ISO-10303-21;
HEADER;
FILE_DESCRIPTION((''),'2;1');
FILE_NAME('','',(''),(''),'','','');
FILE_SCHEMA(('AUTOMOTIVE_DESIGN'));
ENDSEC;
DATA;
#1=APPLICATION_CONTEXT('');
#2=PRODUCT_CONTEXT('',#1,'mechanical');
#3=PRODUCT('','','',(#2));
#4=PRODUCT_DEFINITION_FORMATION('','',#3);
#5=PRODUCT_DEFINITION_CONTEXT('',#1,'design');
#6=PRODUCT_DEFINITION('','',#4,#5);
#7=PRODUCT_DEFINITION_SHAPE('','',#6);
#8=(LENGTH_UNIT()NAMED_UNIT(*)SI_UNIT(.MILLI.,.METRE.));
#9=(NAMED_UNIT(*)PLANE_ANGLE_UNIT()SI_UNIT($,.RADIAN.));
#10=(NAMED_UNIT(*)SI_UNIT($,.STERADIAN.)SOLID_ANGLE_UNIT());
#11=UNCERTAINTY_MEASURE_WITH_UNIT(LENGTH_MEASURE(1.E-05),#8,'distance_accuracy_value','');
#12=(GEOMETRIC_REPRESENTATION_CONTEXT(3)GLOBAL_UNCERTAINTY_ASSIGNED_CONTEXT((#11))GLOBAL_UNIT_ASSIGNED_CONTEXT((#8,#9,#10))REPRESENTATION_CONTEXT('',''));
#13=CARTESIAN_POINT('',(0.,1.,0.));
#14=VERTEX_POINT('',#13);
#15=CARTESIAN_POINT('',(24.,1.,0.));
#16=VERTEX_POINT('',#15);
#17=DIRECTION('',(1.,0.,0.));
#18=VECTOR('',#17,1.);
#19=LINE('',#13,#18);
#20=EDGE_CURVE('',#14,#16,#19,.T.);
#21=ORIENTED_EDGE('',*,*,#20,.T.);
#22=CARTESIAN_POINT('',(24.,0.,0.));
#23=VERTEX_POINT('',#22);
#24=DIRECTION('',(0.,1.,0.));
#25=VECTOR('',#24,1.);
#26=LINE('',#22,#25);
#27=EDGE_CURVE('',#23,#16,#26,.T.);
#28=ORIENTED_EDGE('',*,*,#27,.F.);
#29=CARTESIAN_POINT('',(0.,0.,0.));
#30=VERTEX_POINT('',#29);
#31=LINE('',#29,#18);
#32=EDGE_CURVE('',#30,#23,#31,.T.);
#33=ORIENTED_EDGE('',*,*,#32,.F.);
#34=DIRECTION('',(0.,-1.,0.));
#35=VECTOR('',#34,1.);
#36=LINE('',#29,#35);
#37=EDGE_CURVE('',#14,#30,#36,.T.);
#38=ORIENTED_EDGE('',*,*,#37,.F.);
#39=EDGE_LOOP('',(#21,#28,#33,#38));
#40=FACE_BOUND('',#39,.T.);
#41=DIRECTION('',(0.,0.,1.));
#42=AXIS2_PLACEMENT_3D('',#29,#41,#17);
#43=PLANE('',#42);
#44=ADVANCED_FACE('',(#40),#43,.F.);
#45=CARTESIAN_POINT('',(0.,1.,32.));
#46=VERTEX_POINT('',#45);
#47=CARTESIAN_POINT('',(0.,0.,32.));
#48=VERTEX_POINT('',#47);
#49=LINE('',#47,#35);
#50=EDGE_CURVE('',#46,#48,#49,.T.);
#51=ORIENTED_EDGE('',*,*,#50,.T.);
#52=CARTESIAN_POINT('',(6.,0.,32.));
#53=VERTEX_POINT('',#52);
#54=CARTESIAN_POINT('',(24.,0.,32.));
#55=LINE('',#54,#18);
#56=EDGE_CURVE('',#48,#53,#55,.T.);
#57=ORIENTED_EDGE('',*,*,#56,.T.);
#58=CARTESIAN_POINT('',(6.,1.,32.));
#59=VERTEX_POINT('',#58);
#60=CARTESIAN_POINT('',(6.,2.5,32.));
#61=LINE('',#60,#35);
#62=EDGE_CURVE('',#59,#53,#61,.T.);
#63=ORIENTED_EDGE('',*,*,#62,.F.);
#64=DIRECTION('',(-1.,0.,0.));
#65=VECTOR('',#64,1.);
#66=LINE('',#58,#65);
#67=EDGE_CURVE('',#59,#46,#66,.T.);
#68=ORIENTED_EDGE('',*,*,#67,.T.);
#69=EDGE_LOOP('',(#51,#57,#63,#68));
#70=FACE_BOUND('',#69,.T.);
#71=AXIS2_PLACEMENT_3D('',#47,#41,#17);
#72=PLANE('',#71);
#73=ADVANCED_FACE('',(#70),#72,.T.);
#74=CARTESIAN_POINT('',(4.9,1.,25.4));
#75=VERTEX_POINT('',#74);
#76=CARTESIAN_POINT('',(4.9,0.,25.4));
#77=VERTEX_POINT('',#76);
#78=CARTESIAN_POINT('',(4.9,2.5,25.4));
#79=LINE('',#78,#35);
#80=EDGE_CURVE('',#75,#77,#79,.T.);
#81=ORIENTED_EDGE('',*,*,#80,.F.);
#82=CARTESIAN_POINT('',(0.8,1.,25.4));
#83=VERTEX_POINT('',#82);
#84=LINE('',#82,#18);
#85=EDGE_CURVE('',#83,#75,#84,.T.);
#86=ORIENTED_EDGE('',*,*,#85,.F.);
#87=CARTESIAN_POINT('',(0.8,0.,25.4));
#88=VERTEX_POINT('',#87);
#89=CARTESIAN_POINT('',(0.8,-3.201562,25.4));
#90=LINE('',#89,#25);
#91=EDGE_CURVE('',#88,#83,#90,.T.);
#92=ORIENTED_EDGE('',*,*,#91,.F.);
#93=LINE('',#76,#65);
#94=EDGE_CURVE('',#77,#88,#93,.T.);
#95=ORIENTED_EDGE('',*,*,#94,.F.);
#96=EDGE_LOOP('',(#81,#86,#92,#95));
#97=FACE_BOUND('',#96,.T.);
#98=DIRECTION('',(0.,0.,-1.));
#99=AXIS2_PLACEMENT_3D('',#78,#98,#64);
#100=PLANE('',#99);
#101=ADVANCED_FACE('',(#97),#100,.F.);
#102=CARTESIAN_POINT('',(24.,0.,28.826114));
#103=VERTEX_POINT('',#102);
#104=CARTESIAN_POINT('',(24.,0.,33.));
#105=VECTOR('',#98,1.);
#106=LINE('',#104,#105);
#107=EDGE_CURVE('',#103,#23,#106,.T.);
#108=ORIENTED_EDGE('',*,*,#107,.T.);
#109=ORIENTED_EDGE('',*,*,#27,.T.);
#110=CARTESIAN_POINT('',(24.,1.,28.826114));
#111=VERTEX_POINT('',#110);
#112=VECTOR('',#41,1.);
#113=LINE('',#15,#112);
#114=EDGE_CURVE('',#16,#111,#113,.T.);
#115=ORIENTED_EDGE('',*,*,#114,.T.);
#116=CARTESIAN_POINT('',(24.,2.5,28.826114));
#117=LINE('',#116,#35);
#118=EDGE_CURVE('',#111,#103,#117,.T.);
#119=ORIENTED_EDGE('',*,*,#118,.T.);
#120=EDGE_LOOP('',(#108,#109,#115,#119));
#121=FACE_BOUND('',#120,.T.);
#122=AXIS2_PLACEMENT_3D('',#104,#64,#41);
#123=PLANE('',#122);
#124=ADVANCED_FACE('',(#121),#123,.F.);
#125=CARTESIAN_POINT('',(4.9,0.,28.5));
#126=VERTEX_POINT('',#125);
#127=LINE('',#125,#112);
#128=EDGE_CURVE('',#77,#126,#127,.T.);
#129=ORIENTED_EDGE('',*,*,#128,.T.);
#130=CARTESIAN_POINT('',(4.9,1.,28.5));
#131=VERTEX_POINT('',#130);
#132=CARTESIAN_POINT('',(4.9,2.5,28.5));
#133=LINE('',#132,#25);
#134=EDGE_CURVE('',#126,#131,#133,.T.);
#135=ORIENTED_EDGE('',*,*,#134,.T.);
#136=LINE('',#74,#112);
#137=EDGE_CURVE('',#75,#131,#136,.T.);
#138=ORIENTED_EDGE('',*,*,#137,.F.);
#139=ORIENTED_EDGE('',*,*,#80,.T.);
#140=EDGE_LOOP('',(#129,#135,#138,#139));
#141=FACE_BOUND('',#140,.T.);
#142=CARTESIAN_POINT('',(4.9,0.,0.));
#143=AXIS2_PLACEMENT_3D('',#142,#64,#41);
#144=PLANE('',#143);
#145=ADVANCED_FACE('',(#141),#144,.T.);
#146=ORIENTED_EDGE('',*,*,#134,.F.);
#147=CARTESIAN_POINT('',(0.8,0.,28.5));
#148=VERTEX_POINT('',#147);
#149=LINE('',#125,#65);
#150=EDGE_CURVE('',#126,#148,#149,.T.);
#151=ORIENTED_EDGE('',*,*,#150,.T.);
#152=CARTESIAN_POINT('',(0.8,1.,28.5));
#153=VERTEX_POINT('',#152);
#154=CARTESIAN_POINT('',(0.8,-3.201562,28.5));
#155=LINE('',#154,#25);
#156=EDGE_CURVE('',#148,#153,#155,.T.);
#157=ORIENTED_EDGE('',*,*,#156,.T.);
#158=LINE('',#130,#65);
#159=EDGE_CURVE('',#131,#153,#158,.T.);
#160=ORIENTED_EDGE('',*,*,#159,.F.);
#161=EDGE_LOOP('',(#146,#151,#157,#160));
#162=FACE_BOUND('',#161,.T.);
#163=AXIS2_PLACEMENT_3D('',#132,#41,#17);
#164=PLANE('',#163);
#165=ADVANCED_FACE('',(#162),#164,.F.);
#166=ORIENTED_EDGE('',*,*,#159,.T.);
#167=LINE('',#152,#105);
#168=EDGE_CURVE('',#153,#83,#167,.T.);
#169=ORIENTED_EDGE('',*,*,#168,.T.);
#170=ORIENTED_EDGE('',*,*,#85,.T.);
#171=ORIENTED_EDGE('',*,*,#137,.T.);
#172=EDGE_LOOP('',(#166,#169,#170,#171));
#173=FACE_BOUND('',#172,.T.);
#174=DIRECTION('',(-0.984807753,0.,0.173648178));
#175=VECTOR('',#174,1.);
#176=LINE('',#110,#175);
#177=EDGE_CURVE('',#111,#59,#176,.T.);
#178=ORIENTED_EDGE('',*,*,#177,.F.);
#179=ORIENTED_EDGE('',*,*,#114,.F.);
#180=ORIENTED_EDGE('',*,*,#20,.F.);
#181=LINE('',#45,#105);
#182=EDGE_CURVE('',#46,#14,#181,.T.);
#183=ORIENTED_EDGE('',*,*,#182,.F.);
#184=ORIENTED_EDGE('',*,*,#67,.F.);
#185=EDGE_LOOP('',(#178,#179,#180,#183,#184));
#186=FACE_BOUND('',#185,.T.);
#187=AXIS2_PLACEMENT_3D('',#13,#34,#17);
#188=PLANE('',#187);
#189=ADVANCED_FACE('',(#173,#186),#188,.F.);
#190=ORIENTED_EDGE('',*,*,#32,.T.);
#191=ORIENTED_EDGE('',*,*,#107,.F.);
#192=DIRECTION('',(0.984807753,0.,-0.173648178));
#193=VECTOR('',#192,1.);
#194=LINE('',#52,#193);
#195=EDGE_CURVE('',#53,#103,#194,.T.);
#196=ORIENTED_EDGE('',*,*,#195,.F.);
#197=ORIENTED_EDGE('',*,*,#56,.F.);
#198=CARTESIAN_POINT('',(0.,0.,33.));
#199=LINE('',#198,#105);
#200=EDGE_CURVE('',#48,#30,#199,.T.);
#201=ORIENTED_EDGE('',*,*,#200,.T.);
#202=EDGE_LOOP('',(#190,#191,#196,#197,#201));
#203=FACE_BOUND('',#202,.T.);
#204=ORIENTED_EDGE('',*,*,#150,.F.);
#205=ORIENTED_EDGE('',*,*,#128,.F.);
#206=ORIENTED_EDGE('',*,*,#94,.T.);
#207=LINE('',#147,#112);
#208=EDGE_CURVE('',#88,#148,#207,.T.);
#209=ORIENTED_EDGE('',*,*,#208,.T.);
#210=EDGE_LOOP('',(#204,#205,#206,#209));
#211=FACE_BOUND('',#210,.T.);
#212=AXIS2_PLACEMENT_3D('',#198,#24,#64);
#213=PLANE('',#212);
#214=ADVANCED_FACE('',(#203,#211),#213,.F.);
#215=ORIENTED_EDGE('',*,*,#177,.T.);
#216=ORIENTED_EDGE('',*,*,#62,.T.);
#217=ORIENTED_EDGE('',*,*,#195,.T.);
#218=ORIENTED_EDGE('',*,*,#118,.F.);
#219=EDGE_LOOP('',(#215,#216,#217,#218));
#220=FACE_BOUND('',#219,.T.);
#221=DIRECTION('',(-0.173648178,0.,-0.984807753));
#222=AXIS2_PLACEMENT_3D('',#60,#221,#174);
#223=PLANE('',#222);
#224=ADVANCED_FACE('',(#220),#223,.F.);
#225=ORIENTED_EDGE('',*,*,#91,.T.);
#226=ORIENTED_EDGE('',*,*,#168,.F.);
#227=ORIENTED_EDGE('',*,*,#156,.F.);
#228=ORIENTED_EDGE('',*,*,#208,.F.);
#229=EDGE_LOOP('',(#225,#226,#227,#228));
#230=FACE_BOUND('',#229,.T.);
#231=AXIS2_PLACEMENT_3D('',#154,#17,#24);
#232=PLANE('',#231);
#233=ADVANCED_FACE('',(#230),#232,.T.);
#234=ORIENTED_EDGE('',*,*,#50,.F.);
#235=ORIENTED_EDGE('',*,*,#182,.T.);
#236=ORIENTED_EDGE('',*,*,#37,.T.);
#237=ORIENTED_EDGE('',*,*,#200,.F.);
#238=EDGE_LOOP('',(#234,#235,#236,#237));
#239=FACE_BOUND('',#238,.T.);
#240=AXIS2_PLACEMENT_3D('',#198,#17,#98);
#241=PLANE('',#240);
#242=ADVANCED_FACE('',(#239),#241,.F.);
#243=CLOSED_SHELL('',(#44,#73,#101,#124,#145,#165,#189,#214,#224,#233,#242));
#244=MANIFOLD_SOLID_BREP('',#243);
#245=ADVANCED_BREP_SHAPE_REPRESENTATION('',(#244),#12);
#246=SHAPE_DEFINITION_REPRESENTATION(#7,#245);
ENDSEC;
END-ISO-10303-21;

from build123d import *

# Parameters (mm, degrees)
SKETCH_3_W          = 2.5
SKETCH_3_H          = 24
EXTRUDE_1_DEPTH     = 33
FILLET_1_R          = 1
CUT_EXTRUDE_1_DEPTH = 41.880924647
SKETCH_5_W          = 2.5
SKETCH_5_H          = 3.1
CUT_EXTRUDE_2_DEPTH = 4.9
SKETCH_6_W          = 24
SKETCH_6_H          = 2.5
CUT_EXTRUDE_3_DEPTH = 1
CUT_EXTRUDE_4_DEPTH = 41.078048855
SKETCH_8_W          = 0.8
SKETCH_8_H          = 3.1
EXTRUDE_2_DEPTH     = 2.5
SKETCH_10_W         = 4.1
SKETCH_10_H         = 3.1
CUT_EXTRUDE_5_DEPTH = 41.028115119


with BuildPart() as part:
    # 草图3 → 凸台-拉伸1 (new body)
    with BuildSketch(Plane(origin=(0, 0, 0), x_dir=(0, 1, 0), z_dir=(0, 0, 1))):
        with Locations((1.25, -12)):
            Rectangle(SKETCH_3_W, SKETCH_3_H)
    extrude(amount=EXTRUDE_1_DEPTH)

    # 圆角1
    fillet_1_edges = [part.edges().sort_by_distance(p)[0] for p in [
        (24, 2.5, 16.5),
    ]]
    fillet(fillet_1_edges, radius=FILLET_1_R)

    # 草图4 → 切除-拉伸1 (cut, through all)
    with BuildSketch(Plane.XZ):
        Polygon((3, 33), (24, 31.162738066), (24, 33), align=None)
    extrude(amount=-CUT_EXTRUDE_1_DEPTH, mode=Mode.SUBTRACT)

    # 草图5 → 切除-拉伸2 (cut)
    with BuildSketch(Plane(origin=(0, 0, 0), x_dir=(0, -1, 0), z_dir=(-1, 0, 0))):
        with Locations((-1.25, 26.95)):
            Rectangle(SKETCH_5_W, SKETCH_5_H)
    extrude(amount=-CUT_EXTRUDE_2_DEPTH, mode=Mode.SUBTRACT)

    # 草图6 → 切除-拉伸3 (cut)
    with BuildSketch(Plane.XY.offset(33)):
        with Locations((12, 1.25)):
            Rectangle(SKETCH_6_W, SKETCH_6_H)
    extrude(amount=-CUT_EXTRUDE_3_DEPTH, mode=Mode.SUBTRACT)

    # 草图7 → 切除-拉伸4 (cut, through all)
    with BuildSketch(Plane.XZ):
        Polygon((24, 31.162738066), (24, 28.826114347), (6, 32), (14.430052303, 32), align=None)
    extrude(amount=-CUT_EXTRUDE_4_DEPTH, mode=Mode.SUBTRACT)

    # 草图8 → 凸台-拉伸2 (add)
    with BuildSketch(Plane(origin=(0, 2.5, 0), x_dir=(-1, 0, 0), z_dir=(0, 1, 0))):
        with Locations((-0.4, 26.95)):
            Rectangle(SKETCH_8_W, SKETCH_8_H)
    extrude(amount=-EXTRUDE_2_DEPTH)

    # 草图10 → 切除-拉伸5 (cut, through all)
    with BuildSketch(Plane(origin=(0, 1, 0), x_dir=(-1, 0, 0), z_dir=(0, -1, 0))):
        Polygon((-6, -32), (0, -32), (0, 0), (-24, 0), (-24, -28.826114347), align=None)
        with Locations((-2.85, -26.95)):
            Rectangle(SKETCH_10_W, SKETCH_10_H, mode=Mode.SUBTRACT)
    extrude(amount=-CUT_EXTRUDE_5_DEPTH, mode=Mode.SUBTRACT)


solid = part.part
